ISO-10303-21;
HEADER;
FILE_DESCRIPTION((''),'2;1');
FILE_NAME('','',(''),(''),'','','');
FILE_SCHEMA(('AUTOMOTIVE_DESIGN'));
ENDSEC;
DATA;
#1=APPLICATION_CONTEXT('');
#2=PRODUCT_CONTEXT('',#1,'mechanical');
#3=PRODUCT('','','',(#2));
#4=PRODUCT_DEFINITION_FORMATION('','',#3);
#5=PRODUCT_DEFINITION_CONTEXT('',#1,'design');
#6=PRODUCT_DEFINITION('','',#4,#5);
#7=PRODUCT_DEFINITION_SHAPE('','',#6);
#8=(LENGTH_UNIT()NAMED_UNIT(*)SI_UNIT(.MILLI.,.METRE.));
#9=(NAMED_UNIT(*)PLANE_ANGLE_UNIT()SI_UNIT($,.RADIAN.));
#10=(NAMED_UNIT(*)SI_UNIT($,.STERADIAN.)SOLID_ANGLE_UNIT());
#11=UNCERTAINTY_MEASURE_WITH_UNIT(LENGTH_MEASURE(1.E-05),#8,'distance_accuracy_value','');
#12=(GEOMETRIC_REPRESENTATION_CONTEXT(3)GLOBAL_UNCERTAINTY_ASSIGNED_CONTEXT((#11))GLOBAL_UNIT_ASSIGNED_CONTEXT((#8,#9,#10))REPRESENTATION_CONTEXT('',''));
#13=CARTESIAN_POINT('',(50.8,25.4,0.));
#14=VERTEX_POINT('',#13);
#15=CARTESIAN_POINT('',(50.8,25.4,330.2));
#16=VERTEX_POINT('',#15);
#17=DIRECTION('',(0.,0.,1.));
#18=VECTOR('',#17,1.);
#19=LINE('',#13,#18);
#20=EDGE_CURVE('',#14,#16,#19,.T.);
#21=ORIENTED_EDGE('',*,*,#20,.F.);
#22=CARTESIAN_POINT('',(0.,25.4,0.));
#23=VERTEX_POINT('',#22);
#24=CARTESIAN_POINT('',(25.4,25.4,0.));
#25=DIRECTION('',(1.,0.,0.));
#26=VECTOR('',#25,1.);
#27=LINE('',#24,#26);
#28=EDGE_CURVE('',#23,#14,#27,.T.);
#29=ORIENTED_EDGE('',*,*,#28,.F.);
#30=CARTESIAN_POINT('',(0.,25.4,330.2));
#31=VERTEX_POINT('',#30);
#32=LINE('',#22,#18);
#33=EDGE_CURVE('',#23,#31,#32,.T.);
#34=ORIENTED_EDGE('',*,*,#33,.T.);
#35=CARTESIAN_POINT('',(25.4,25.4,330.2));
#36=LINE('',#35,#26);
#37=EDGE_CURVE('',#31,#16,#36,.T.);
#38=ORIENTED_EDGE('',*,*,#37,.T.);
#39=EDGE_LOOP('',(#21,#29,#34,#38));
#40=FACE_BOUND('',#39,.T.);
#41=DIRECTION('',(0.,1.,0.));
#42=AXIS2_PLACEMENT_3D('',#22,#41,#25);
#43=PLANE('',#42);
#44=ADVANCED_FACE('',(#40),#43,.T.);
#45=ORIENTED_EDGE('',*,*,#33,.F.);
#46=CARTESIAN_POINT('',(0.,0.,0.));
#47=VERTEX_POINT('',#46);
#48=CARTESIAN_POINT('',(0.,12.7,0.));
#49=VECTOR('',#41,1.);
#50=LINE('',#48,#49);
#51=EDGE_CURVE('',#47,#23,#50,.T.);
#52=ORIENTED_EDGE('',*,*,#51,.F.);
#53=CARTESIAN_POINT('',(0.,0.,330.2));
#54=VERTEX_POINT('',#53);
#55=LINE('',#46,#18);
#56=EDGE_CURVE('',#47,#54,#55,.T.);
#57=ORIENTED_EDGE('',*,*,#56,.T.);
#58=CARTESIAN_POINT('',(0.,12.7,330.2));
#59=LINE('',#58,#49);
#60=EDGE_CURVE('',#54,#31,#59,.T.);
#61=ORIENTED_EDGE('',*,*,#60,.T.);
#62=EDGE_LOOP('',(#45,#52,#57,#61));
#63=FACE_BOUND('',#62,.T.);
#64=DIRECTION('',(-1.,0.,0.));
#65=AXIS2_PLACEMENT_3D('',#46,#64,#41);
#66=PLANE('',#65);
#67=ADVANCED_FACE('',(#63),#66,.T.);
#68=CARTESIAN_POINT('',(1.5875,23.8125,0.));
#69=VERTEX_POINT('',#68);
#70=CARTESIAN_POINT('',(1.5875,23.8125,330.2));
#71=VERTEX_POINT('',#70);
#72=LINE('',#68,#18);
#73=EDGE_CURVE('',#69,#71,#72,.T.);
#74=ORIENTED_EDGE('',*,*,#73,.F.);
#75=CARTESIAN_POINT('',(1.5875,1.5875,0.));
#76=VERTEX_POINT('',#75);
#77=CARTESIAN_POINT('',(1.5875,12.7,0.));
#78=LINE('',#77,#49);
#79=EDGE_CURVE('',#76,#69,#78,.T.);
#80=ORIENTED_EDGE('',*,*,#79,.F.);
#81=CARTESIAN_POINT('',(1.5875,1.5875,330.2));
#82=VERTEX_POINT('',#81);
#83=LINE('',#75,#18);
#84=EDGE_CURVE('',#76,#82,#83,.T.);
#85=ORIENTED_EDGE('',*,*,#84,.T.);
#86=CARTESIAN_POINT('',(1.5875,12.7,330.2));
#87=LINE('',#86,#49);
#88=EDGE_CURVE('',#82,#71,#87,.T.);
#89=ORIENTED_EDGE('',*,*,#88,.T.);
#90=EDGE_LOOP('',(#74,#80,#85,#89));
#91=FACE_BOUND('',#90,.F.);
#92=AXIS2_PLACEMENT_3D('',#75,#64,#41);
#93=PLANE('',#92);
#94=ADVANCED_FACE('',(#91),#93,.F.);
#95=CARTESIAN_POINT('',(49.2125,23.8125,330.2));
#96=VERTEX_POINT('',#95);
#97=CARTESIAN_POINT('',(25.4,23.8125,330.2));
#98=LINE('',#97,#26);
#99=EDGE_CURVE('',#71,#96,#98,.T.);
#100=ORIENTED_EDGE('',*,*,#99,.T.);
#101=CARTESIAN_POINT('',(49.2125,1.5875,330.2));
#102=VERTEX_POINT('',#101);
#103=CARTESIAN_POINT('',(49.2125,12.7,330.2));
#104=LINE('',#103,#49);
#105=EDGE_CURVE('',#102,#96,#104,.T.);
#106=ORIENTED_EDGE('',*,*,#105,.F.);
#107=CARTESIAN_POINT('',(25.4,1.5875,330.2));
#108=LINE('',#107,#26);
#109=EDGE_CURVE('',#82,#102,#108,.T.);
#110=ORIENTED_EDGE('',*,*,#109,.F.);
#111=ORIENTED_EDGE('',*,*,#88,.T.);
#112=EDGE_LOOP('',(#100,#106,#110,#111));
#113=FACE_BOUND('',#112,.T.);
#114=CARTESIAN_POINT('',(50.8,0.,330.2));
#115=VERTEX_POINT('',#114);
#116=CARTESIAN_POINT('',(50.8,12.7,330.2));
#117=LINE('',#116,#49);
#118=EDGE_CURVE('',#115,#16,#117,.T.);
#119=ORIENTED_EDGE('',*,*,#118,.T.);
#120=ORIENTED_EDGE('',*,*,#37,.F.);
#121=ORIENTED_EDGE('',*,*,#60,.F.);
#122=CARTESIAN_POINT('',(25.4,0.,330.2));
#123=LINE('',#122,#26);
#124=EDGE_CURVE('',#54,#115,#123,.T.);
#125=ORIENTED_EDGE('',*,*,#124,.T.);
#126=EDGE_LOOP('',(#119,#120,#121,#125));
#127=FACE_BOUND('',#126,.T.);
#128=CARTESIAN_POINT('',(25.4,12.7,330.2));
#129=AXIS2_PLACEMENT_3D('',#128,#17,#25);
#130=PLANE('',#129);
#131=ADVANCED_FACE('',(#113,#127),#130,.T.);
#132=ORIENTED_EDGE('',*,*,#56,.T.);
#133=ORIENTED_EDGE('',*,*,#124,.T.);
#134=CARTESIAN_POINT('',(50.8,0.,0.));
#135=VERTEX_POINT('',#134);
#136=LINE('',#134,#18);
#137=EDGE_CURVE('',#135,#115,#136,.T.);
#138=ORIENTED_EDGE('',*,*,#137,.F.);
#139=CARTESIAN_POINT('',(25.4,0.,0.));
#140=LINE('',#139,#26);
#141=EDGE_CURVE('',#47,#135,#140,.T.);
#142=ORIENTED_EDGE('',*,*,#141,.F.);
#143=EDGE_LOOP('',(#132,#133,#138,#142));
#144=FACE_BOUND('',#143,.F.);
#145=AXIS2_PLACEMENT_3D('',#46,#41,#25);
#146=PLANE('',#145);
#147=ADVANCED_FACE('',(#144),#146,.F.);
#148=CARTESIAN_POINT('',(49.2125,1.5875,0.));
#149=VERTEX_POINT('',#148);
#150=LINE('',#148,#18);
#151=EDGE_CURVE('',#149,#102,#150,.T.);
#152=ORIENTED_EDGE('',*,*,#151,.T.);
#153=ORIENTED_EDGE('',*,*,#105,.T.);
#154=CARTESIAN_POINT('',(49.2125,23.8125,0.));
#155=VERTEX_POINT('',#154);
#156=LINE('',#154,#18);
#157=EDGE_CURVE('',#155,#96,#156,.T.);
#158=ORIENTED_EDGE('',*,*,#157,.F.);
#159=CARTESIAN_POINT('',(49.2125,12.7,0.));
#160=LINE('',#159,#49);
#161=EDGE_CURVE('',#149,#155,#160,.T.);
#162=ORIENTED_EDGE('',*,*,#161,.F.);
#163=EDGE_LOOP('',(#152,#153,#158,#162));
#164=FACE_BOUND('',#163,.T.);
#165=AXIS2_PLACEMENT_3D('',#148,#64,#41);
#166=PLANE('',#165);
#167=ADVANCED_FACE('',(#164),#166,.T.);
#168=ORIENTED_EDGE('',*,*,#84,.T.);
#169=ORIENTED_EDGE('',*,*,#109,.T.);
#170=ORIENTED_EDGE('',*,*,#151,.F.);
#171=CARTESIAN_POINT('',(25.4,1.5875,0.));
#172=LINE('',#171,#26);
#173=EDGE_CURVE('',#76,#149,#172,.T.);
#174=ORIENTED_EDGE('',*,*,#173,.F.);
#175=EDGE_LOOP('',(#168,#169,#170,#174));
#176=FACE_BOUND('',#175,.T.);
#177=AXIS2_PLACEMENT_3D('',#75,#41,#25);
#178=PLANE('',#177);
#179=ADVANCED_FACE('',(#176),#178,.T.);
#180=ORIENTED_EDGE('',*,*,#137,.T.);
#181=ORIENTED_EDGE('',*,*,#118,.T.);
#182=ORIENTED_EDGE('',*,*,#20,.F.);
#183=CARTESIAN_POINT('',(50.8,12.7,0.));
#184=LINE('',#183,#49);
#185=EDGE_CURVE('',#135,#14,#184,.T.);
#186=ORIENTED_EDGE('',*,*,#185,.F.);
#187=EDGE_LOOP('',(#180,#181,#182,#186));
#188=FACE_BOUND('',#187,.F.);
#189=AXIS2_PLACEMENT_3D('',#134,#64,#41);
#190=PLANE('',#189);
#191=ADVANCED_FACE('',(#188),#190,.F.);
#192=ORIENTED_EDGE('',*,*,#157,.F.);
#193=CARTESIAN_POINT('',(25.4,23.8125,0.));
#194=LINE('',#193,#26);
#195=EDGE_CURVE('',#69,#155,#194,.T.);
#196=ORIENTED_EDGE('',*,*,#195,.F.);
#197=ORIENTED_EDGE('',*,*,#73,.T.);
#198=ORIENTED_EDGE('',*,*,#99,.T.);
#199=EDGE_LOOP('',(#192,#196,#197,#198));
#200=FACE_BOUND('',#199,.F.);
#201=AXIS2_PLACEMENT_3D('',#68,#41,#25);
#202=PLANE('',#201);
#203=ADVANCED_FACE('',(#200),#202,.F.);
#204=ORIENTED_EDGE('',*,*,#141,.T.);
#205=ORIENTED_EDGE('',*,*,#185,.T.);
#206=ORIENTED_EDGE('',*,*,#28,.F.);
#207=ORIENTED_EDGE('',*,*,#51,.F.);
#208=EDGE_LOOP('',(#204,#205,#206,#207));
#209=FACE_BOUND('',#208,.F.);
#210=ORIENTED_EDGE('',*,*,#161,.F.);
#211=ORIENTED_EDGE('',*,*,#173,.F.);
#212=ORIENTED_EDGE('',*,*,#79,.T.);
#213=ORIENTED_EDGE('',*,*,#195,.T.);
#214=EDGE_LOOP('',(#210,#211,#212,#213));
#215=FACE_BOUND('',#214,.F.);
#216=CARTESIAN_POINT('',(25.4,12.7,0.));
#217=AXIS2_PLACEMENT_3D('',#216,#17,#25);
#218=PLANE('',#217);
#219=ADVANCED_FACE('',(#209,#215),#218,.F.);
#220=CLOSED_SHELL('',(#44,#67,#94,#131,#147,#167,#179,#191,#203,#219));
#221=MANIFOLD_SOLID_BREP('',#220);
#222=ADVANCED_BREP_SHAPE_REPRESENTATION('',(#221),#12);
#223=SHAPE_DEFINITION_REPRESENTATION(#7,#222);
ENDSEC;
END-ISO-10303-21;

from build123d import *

# Parameters (mm, degrees)
SKETCH1_W           = 50.8
SKETCH1_H           = 25.4
SKETCH1_W_2         = 47.625
SKETCH1_H_2         = 22.225
BOSS_EXTRUDE1_DEPTH = 330.2


with BuildPart() as part:
    # Sketch1 → Boss-Extrude1 (new body)
    with BuildSketch(Plane.XY):
        with Locations((25.4, 12.7)):
            Rectangle(SKETCH1_W, SKETCH1_H)
        with Locations((25.4, 12.7)):
            Rectangle(SKETCH1_W_2, SKETCH1_H_2, mode=Mode.SUBTRACT)
    extrude(amount=BOSS_EXTRUDE1_DEPTH)


solid = part.part
